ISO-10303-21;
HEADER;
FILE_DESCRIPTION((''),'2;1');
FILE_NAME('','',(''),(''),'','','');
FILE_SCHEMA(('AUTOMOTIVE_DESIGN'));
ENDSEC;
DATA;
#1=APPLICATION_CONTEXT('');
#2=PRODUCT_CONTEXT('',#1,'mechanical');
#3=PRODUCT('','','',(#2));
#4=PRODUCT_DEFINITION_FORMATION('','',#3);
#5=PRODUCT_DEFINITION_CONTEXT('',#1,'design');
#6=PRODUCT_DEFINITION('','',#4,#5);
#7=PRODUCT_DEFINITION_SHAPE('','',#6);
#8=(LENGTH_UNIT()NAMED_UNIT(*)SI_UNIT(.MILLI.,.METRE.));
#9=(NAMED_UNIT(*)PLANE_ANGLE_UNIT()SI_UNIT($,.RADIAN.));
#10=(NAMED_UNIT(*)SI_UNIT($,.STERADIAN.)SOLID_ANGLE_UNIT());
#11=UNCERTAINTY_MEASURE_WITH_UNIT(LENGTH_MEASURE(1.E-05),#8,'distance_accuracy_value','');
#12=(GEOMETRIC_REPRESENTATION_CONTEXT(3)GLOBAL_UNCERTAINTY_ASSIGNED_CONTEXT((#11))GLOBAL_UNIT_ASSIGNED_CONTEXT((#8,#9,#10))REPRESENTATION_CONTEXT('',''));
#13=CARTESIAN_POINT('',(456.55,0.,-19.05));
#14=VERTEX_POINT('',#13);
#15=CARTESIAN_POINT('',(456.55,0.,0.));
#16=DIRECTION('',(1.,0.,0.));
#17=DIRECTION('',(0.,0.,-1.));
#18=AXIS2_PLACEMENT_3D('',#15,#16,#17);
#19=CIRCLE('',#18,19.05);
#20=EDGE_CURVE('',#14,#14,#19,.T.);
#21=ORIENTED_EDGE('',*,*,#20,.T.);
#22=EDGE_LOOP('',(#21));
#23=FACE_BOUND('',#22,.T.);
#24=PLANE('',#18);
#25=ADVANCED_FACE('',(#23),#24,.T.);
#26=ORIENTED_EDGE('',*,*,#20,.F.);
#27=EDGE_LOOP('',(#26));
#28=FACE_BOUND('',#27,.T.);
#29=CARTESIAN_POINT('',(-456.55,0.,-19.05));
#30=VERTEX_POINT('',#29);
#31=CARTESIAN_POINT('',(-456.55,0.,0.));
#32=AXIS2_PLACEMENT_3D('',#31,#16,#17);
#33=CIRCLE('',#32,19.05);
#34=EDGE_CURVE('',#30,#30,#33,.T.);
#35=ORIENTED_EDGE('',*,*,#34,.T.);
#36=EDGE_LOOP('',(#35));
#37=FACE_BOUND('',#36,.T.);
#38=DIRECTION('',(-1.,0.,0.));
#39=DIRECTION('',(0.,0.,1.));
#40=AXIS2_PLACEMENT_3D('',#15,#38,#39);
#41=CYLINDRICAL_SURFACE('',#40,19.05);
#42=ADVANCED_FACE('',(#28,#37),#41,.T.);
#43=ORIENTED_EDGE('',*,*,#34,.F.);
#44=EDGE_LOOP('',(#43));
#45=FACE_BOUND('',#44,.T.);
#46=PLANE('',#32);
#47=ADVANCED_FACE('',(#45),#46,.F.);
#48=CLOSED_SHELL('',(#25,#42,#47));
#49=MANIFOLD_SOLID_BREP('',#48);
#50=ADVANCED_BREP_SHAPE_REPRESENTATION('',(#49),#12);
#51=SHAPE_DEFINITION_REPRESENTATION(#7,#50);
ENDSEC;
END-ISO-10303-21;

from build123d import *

# Parameters (mm, degrees)
SKETCH1_R           = 19.05
BOSS_EXTRUDE1_DEPTH = 456.55


with BuildPart() as part:
    # Sketch1 → Boss-Extrude1 (new body, symmetric)
    with BuildSketch(Plane(origin=(0, 0, 0), x_dir=(0, 0, -1), z_dir=(1, 0, 0))):
        Circle(SKETCH1_R)
    extrude(amount=BOSS_EXTRUDE1_DEPTH, both=True)


solid = part.part
